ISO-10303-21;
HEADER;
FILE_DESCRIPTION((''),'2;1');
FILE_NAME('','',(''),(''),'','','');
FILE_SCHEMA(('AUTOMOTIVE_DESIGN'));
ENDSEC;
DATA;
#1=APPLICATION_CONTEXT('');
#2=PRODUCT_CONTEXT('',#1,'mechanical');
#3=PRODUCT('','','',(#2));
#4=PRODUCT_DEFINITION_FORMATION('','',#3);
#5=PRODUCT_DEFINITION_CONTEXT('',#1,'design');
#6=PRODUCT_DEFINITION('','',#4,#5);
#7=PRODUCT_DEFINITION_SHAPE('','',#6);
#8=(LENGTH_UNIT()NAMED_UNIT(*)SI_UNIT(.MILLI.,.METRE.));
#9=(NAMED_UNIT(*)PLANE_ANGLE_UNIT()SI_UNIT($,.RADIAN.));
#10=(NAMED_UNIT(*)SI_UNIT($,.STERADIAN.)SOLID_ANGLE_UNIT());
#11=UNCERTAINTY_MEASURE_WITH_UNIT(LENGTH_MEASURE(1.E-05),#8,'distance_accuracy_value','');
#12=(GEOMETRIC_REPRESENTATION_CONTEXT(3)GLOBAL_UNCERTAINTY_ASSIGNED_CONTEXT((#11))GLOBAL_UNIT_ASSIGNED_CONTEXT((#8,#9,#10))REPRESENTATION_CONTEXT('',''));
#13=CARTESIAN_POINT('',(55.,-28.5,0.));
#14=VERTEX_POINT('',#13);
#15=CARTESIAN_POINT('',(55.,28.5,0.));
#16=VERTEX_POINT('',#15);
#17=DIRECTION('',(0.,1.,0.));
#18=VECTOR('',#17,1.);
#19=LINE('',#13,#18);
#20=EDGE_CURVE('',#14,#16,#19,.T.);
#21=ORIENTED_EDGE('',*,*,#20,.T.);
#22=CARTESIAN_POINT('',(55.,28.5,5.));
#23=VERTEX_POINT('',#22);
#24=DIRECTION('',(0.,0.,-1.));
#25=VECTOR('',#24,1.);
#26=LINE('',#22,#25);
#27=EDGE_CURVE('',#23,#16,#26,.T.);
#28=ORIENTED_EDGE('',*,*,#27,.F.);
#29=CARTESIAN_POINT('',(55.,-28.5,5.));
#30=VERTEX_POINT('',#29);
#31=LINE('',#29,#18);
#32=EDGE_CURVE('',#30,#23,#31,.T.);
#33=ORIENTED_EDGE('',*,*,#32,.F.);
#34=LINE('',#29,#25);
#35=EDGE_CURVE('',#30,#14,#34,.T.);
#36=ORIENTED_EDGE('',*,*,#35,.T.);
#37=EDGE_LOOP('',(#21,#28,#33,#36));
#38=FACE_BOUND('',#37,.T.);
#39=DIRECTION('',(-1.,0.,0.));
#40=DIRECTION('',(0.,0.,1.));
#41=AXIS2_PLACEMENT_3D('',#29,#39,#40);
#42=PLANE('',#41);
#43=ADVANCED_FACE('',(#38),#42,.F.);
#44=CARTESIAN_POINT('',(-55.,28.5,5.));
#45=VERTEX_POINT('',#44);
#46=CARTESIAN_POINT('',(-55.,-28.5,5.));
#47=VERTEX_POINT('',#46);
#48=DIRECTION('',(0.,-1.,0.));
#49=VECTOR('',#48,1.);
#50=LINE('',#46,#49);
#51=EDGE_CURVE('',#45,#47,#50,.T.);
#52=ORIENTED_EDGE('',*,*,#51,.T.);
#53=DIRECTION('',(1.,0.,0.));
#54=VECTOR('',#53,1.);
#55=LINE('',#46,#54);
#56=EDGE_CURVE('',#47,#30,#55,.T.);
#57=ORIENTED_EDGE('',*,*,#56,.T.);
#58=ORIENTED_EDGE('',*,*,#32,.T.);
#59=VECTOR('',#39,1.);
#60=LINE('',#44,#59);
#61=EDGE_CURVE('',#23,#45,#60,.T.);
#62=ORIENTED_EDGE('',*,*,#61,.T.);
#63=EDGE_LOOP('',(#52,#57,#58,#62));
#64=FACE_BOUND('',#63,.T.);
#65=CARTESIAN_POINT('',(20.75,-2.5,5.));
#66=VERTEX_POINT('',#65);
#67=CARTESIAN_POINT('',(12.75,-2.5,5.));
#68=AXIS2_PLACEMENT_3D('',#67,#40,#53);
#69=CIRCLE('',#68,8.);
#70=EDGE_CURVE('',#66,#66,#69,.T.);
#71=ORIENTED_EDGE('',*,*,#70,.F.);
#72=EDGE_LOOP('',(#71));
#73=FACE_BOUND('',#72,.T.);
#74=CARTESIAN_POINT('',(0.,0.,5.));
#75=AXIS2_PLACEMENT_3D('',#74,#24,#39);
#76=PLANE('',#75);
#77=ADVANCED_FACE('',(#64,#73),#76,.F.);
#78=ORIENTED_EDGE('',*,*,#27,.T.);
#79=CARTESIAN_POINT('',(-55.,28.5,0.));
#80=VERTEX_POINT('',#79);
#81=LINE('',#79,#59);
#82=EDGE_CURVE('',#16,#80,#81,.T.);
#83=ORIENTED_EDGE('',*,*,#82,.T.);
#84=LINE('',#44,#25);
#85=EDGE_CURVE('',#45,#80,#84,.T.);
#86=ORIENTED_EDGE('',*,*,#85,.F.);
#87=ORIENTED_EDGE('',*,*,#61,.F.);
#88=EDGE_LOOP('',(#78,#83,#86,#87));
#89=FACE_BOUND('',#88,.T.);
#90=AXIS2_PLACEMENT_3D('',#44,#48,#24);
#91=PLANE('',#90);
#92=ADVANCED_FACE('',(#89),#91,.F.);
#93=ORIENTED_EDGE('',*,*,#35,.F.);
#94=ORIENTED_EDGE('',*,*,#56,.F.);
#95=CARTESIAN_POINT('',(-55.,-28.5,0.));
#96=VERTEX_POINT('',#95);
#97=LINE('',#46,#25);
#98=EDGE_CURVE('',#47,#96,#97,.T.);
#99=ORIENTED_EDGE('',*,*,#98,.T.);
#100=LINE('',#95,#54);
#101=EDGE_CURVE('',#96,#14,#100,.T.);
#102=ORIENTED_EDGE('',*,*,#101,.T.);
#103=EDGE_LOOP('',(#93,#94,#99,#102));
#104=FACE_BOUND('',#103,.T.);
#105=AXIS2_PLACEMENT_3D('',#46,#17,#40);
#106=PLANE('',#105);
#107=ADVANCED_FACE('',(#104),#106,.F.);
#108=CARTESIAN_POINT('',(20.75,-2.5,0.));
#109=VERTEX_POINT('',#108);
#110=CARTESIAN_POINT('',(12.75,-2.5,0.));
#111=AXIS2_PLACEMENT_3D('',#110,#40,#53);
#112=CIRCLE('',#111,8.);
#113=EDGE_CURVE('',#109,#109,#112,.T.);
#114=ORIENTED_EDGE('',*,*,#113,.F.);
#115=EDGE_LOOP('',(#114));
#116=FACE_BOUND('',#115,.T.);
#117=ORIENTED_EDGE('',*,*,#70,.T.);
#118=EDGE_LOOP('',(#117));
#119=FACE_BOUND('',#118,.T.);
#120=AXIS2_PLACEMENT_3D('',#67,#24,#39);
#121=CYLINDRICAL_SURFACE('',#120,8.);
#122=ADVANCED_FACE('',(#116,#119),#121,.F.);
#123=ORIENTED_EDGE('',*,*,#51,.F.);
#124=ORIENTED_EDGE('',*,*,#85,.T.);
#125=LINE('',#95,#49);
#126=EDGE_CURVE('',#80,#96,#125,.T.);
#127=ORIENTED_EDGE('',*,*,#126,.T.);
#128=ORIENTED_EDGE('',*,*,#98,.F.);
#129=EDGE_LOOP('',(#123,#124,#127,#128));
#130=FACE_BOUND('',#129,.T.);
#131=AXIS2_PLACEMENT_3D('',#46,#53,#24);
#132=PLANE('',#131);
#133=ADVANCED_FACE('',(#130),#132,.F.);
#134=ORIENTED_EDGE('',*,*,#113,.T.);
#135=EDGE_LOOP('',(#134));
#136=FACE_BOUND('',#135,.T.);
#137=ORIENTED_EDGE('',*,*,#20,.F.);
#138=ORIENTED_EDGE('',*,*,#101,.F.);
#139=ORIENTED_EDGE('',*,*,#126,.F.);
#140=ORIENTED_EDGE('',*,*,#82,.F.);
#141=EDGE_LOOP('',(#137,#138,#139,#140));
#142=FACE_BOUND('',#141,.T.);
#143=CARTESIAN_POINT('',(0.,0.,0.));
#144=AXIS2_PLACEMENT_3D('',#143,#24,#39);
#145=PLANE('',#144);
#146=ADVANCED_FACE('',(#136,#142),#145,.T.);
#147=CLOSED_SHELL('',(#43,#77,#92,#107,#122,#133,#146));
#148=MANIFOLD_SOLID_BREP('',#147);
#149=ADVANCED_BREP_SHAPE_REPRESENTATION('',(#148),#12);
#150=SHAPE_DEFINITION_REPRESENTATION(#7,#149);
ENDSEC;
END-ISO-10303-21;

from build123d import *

# Parameters (mm, degrees)
SKETCH_2_W      = 110
SKETCH_2_H      = 57
SKETCH_2_R      = 8
EXTRUDE_1_DEPTH = 5


with BuildPart() as part:
    # 스케치2 → 보스-돌출1 (new body)
    with BuildSketch(Plane.XY):
        Rectangle(SKETCH_2_W, SKETCH_2_H)
        with Locations((12.75, -2.5)):
            Circle(SKETCH_2_R, mode=Mode.SUBTRACT)
    extrude(amount=EXTRUDE_1_DEPTH)


solid = part.part
